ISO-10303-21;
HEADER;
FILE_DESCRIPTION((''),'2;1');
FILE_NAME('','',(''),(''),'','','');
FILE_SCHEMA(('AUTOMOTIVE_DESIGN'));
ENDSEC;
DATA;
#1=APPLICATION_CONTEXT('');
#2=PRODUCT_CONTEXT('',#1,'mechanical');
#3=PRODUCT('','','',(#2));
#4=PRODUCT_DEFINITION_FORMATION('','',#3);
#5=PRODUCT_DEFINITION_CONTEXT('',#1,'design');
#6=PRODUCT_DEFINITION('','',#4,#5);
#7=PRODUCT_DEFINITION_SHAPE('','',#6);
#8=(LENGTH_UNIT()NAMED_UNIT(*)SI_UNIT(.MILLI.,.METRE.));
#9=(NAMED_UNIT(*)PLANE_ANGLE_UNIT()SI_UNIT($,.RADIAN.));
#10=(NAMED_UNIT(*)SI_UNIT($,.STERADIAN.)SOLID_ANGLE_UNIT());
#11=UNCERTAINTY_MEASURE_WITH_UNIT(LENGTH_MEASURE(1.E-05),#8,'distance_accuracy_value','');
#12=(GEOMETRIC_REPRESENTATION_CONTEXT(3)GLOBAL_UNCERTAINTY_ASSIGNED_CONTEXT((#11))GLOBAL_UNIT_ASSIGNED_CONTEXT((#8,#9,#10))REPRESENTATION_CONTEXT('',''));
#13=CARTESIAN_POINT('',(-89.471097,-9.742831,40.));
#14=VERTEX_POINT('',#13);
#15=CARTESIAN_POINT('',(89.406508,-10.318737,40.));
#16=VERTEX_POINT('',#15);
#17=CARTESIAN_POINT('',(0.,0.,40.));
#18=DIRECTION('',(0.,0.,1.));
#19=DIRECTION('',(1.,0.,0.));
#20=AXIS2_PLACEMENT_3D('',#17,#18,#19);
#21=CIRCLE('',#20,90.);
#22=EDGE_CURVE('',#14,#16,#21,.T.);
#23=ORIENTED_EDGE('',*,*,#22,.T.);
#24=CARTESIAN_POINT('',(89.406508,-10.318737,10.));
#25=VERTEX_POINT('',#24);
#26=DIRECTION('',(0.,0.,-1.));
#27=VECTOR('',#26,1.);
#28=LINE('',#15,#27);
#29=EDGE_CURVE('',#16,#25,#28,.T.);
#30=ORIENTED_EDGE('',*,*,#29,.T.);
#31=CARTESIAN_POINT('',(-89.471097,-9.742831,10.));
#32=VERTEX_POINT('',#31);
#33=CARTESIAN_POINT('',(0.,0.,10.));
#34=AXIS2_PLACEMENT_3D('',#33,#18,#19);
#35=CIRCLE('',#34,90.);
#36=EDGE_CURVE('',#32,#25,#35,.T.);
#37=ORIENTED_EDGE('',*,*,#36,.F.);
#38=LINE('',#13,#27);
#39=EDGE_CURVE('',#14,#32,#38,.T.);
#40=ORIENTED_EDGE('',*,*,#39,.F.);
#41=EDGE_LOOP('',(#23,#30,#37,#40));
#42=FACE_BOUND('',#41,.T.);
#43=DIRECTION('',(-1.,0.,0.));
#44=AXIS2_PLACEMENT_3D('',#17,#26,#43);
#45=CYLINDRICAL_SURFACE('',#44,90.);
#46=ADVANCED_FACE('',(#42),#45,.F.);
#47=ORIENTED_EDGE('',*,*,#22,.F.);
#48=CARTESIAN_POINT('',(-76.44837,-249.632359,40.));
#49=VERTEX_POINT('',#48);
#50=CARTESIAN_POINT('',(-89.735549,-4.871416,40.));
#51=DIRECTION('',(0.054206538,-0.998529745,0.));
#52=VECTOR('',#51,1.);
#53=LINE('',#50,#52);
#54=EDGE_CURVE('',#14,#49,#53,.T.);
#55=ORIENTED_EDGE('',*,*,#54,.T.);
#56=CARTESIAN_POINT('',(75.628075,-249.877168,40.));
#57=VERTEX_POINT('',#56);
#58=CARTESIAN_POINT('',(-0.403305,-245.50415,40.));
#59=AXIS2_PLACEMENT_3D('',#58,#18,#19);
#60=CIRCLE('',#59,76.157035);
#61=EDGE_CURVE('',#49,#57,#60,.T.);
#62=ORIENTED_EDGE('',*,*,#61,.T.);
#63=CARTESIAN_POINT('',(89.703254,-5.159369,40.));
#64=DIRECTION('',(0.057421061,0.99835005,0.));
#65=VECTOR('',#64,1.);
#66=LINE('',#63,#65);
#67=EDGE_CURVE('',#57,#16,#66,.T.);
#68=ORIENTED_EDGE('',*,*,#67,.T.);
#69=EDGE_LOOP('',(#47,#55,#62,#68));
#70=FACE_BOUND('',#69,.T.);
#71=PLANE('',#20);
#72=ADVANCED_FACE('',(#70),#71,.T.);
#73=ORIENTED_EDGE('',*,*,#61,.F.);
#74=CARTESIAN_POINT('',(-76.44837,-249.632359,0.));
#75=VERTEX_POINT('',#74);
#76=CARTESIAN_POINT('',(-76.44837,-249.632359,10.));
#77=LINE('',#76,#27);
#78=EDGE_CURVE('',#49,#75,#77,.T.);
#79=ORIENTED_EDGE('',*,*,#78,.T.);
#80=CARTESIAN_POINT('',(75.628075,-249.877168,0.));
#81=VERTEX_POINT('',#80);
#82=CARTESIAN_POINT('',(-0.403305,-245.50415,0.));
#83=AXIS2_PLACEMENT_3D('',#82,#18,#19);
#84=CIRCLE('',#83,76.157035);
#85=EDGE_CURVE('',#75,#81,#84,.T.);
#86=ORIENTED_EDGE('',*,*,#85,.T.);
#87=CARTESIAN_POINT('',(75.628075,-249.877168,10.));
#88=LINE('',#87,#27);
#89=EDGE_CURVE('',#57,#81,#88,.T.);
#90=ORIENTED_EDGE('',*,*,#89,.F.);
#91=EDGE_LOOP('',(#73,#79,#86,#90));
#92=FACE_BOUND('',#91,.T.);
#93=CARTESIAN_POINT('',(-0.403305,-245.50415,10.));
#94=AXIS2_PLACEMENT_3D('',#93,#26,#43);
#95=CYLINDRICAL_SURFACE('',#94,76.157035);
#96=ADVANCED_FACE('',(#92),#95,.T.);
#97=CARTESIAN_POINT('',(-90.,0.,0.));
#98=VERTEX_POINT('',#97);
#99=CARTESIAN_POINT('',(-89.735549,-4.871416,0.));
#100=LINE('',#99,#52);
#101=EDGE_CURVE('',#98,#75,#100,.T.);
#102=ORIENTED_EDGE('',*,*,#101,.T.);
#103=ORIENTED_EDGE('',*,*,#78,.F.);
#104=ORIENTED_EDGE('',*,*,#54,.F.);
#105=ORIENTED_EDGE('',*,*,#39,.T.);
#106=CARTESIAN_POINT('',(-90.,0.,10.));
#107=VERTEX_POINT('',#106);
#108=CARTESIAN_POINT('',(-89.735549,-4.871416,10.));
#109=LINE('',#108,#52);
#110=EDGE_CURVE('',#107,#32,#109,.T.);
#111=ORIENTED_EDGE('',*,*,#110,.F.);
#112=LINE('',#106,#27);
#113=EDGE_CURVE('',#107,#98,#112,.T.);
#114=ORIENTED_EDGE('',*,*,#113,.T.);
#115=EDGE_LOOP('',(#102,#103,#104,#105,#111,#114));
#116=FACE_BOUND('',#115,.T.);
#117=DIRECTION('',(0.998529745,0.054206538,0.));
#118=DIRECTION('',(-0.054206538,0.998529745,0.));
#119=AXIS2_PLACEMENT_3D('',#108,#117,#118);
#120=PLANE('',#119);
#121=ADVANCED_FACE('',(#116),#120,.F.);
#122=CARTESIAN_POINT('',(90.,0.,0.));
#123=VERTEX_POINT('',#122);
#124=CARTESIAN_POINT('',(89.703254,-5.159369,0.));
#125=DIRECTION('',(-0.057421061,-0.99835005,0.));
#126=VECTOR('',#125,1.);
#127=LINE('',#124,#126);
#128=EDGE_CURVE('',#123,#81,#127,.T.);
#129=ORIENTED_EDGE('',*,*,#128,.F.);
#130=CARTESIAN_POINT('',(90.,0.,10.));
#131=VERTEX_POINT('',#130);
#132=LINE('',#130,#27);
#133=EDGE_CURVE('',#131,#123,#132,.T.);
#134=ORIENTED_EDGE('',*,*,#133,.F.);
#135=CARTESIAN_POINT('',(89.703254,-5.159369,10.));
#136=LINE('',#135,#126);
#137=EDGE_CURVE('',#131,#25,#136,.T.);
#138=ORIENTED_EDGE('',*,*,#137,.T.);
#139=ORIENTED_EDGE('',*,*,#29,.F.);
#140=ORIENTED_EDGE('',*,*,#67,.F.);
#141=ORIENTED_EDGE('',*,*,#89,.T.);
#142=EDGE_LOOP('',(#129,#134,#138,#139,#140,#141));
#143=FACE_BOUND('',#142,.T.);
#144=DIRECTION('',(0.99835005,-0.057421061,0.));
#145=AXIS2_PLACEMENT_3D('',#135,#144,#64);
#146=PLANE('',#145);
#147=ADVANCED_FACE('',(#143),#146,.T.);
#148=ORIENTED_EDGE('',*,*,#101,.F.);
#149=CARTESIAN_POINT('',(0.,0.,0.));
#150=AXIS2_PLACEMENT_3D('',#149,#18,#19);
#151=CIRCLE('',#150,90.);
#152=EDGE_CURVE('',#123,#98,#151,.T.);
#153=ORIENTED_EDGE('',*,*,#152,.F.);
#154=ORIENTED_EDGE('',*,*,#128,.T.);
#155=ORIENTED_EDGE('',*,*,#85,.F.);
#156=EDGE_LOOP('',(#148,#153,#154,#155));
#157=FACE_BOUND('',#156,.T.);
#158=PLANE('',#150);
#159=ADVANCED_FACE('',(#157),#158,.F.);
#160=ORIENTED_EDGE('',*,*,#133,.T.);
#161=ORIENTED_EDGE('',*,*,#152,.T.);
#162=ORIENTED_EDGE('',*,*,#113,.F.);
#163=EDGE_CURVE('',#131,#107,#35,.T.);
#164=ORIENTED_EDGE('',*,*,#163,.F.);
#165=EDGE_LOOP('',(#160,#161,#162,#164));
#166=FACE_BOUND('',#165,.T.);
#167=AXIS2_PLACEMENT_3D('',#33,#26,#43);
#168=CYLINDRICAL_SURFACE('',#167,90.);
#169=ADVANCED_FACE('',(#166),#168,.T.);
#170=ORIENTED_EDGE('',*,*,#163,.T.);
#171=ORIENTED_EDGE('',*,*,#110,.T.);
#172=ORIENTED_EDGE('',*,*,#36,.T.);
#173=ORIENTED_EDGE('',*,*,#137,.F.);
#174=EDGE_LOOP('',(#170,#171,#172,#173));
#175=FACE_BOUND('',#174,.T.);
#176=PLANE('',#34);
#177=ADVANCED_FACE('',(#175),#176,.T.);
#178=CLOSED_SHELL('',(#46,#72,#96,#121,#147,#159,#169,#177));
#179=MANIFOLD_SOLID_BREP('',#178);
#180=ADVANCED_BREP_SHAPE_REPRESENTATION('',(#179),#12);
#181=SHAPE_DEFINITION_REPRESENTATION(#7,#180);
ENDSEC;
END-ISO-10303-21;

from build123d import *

# Parameters (mm, degrees)
BOSS_EXTRUDE3_DEPTH = 10
BOSS_EXTRUDE4_DEPTH = 30


with BuildPart() as part:
    # Sketch2 → Boss-Extrude3 (new body)
    with BuildSketch(Plane.XY):
        with BuildLine():
            ThreePointArc((90, 0), (0, 90), (-90, 0))
            Line((-90, 0), (-89.471097217, -9.742831353))
            ThreePointArc((-89.471097217, -9.742831353), (-0.289758357, -89.999533555), (89.406507913, -10.318737459))
            Line((89.406507913, -10.318737459), (90, 0))
        make_face()
        with BuildLine():
            ThreePointArc((89.406507913, -10.318737459), (-0.289758357, -89.999533555), (-89.471097217, -9.742831353))
            Line((-89.471097217, -9.742831353), (-76.448369593, -249.632359432))
            ThreePointArc((-76.448369593, -249.632359432), (-0.525900188, -321.66108657), (75.628074906, -249.877167959))
            Line((75.628074906, -249.877167959), (89.406507913, -10.318737459))
        make_face()
    extrude(amount=BOSS_EXTRUDE3_DEPTH)

    # Sketch3 → Boss-Extrude4 (add)
    with BuildSketch(Plane.XY.offset(10)):
        with BuildLine():
            ThreePointArc((89.406507913, -10.318737459), (-0.289758357, -89.999533555), (-89.471097217, -9.742831353))
            Line((-89.471097217, -9.742831353), (-76.448369593, -249.632359432))
            ThreePointArc((-76.448369593, -249.632359432), (-0.525900188, -321.66108657), (75.628074906, -249.877167959))
            Line((75.628074906, -249.877167959), (89.406507913, -10.318737459))
        make_face()
    extrude(amount=BOSS_EXTRUDE4_DEPTH)


solid = part.part
